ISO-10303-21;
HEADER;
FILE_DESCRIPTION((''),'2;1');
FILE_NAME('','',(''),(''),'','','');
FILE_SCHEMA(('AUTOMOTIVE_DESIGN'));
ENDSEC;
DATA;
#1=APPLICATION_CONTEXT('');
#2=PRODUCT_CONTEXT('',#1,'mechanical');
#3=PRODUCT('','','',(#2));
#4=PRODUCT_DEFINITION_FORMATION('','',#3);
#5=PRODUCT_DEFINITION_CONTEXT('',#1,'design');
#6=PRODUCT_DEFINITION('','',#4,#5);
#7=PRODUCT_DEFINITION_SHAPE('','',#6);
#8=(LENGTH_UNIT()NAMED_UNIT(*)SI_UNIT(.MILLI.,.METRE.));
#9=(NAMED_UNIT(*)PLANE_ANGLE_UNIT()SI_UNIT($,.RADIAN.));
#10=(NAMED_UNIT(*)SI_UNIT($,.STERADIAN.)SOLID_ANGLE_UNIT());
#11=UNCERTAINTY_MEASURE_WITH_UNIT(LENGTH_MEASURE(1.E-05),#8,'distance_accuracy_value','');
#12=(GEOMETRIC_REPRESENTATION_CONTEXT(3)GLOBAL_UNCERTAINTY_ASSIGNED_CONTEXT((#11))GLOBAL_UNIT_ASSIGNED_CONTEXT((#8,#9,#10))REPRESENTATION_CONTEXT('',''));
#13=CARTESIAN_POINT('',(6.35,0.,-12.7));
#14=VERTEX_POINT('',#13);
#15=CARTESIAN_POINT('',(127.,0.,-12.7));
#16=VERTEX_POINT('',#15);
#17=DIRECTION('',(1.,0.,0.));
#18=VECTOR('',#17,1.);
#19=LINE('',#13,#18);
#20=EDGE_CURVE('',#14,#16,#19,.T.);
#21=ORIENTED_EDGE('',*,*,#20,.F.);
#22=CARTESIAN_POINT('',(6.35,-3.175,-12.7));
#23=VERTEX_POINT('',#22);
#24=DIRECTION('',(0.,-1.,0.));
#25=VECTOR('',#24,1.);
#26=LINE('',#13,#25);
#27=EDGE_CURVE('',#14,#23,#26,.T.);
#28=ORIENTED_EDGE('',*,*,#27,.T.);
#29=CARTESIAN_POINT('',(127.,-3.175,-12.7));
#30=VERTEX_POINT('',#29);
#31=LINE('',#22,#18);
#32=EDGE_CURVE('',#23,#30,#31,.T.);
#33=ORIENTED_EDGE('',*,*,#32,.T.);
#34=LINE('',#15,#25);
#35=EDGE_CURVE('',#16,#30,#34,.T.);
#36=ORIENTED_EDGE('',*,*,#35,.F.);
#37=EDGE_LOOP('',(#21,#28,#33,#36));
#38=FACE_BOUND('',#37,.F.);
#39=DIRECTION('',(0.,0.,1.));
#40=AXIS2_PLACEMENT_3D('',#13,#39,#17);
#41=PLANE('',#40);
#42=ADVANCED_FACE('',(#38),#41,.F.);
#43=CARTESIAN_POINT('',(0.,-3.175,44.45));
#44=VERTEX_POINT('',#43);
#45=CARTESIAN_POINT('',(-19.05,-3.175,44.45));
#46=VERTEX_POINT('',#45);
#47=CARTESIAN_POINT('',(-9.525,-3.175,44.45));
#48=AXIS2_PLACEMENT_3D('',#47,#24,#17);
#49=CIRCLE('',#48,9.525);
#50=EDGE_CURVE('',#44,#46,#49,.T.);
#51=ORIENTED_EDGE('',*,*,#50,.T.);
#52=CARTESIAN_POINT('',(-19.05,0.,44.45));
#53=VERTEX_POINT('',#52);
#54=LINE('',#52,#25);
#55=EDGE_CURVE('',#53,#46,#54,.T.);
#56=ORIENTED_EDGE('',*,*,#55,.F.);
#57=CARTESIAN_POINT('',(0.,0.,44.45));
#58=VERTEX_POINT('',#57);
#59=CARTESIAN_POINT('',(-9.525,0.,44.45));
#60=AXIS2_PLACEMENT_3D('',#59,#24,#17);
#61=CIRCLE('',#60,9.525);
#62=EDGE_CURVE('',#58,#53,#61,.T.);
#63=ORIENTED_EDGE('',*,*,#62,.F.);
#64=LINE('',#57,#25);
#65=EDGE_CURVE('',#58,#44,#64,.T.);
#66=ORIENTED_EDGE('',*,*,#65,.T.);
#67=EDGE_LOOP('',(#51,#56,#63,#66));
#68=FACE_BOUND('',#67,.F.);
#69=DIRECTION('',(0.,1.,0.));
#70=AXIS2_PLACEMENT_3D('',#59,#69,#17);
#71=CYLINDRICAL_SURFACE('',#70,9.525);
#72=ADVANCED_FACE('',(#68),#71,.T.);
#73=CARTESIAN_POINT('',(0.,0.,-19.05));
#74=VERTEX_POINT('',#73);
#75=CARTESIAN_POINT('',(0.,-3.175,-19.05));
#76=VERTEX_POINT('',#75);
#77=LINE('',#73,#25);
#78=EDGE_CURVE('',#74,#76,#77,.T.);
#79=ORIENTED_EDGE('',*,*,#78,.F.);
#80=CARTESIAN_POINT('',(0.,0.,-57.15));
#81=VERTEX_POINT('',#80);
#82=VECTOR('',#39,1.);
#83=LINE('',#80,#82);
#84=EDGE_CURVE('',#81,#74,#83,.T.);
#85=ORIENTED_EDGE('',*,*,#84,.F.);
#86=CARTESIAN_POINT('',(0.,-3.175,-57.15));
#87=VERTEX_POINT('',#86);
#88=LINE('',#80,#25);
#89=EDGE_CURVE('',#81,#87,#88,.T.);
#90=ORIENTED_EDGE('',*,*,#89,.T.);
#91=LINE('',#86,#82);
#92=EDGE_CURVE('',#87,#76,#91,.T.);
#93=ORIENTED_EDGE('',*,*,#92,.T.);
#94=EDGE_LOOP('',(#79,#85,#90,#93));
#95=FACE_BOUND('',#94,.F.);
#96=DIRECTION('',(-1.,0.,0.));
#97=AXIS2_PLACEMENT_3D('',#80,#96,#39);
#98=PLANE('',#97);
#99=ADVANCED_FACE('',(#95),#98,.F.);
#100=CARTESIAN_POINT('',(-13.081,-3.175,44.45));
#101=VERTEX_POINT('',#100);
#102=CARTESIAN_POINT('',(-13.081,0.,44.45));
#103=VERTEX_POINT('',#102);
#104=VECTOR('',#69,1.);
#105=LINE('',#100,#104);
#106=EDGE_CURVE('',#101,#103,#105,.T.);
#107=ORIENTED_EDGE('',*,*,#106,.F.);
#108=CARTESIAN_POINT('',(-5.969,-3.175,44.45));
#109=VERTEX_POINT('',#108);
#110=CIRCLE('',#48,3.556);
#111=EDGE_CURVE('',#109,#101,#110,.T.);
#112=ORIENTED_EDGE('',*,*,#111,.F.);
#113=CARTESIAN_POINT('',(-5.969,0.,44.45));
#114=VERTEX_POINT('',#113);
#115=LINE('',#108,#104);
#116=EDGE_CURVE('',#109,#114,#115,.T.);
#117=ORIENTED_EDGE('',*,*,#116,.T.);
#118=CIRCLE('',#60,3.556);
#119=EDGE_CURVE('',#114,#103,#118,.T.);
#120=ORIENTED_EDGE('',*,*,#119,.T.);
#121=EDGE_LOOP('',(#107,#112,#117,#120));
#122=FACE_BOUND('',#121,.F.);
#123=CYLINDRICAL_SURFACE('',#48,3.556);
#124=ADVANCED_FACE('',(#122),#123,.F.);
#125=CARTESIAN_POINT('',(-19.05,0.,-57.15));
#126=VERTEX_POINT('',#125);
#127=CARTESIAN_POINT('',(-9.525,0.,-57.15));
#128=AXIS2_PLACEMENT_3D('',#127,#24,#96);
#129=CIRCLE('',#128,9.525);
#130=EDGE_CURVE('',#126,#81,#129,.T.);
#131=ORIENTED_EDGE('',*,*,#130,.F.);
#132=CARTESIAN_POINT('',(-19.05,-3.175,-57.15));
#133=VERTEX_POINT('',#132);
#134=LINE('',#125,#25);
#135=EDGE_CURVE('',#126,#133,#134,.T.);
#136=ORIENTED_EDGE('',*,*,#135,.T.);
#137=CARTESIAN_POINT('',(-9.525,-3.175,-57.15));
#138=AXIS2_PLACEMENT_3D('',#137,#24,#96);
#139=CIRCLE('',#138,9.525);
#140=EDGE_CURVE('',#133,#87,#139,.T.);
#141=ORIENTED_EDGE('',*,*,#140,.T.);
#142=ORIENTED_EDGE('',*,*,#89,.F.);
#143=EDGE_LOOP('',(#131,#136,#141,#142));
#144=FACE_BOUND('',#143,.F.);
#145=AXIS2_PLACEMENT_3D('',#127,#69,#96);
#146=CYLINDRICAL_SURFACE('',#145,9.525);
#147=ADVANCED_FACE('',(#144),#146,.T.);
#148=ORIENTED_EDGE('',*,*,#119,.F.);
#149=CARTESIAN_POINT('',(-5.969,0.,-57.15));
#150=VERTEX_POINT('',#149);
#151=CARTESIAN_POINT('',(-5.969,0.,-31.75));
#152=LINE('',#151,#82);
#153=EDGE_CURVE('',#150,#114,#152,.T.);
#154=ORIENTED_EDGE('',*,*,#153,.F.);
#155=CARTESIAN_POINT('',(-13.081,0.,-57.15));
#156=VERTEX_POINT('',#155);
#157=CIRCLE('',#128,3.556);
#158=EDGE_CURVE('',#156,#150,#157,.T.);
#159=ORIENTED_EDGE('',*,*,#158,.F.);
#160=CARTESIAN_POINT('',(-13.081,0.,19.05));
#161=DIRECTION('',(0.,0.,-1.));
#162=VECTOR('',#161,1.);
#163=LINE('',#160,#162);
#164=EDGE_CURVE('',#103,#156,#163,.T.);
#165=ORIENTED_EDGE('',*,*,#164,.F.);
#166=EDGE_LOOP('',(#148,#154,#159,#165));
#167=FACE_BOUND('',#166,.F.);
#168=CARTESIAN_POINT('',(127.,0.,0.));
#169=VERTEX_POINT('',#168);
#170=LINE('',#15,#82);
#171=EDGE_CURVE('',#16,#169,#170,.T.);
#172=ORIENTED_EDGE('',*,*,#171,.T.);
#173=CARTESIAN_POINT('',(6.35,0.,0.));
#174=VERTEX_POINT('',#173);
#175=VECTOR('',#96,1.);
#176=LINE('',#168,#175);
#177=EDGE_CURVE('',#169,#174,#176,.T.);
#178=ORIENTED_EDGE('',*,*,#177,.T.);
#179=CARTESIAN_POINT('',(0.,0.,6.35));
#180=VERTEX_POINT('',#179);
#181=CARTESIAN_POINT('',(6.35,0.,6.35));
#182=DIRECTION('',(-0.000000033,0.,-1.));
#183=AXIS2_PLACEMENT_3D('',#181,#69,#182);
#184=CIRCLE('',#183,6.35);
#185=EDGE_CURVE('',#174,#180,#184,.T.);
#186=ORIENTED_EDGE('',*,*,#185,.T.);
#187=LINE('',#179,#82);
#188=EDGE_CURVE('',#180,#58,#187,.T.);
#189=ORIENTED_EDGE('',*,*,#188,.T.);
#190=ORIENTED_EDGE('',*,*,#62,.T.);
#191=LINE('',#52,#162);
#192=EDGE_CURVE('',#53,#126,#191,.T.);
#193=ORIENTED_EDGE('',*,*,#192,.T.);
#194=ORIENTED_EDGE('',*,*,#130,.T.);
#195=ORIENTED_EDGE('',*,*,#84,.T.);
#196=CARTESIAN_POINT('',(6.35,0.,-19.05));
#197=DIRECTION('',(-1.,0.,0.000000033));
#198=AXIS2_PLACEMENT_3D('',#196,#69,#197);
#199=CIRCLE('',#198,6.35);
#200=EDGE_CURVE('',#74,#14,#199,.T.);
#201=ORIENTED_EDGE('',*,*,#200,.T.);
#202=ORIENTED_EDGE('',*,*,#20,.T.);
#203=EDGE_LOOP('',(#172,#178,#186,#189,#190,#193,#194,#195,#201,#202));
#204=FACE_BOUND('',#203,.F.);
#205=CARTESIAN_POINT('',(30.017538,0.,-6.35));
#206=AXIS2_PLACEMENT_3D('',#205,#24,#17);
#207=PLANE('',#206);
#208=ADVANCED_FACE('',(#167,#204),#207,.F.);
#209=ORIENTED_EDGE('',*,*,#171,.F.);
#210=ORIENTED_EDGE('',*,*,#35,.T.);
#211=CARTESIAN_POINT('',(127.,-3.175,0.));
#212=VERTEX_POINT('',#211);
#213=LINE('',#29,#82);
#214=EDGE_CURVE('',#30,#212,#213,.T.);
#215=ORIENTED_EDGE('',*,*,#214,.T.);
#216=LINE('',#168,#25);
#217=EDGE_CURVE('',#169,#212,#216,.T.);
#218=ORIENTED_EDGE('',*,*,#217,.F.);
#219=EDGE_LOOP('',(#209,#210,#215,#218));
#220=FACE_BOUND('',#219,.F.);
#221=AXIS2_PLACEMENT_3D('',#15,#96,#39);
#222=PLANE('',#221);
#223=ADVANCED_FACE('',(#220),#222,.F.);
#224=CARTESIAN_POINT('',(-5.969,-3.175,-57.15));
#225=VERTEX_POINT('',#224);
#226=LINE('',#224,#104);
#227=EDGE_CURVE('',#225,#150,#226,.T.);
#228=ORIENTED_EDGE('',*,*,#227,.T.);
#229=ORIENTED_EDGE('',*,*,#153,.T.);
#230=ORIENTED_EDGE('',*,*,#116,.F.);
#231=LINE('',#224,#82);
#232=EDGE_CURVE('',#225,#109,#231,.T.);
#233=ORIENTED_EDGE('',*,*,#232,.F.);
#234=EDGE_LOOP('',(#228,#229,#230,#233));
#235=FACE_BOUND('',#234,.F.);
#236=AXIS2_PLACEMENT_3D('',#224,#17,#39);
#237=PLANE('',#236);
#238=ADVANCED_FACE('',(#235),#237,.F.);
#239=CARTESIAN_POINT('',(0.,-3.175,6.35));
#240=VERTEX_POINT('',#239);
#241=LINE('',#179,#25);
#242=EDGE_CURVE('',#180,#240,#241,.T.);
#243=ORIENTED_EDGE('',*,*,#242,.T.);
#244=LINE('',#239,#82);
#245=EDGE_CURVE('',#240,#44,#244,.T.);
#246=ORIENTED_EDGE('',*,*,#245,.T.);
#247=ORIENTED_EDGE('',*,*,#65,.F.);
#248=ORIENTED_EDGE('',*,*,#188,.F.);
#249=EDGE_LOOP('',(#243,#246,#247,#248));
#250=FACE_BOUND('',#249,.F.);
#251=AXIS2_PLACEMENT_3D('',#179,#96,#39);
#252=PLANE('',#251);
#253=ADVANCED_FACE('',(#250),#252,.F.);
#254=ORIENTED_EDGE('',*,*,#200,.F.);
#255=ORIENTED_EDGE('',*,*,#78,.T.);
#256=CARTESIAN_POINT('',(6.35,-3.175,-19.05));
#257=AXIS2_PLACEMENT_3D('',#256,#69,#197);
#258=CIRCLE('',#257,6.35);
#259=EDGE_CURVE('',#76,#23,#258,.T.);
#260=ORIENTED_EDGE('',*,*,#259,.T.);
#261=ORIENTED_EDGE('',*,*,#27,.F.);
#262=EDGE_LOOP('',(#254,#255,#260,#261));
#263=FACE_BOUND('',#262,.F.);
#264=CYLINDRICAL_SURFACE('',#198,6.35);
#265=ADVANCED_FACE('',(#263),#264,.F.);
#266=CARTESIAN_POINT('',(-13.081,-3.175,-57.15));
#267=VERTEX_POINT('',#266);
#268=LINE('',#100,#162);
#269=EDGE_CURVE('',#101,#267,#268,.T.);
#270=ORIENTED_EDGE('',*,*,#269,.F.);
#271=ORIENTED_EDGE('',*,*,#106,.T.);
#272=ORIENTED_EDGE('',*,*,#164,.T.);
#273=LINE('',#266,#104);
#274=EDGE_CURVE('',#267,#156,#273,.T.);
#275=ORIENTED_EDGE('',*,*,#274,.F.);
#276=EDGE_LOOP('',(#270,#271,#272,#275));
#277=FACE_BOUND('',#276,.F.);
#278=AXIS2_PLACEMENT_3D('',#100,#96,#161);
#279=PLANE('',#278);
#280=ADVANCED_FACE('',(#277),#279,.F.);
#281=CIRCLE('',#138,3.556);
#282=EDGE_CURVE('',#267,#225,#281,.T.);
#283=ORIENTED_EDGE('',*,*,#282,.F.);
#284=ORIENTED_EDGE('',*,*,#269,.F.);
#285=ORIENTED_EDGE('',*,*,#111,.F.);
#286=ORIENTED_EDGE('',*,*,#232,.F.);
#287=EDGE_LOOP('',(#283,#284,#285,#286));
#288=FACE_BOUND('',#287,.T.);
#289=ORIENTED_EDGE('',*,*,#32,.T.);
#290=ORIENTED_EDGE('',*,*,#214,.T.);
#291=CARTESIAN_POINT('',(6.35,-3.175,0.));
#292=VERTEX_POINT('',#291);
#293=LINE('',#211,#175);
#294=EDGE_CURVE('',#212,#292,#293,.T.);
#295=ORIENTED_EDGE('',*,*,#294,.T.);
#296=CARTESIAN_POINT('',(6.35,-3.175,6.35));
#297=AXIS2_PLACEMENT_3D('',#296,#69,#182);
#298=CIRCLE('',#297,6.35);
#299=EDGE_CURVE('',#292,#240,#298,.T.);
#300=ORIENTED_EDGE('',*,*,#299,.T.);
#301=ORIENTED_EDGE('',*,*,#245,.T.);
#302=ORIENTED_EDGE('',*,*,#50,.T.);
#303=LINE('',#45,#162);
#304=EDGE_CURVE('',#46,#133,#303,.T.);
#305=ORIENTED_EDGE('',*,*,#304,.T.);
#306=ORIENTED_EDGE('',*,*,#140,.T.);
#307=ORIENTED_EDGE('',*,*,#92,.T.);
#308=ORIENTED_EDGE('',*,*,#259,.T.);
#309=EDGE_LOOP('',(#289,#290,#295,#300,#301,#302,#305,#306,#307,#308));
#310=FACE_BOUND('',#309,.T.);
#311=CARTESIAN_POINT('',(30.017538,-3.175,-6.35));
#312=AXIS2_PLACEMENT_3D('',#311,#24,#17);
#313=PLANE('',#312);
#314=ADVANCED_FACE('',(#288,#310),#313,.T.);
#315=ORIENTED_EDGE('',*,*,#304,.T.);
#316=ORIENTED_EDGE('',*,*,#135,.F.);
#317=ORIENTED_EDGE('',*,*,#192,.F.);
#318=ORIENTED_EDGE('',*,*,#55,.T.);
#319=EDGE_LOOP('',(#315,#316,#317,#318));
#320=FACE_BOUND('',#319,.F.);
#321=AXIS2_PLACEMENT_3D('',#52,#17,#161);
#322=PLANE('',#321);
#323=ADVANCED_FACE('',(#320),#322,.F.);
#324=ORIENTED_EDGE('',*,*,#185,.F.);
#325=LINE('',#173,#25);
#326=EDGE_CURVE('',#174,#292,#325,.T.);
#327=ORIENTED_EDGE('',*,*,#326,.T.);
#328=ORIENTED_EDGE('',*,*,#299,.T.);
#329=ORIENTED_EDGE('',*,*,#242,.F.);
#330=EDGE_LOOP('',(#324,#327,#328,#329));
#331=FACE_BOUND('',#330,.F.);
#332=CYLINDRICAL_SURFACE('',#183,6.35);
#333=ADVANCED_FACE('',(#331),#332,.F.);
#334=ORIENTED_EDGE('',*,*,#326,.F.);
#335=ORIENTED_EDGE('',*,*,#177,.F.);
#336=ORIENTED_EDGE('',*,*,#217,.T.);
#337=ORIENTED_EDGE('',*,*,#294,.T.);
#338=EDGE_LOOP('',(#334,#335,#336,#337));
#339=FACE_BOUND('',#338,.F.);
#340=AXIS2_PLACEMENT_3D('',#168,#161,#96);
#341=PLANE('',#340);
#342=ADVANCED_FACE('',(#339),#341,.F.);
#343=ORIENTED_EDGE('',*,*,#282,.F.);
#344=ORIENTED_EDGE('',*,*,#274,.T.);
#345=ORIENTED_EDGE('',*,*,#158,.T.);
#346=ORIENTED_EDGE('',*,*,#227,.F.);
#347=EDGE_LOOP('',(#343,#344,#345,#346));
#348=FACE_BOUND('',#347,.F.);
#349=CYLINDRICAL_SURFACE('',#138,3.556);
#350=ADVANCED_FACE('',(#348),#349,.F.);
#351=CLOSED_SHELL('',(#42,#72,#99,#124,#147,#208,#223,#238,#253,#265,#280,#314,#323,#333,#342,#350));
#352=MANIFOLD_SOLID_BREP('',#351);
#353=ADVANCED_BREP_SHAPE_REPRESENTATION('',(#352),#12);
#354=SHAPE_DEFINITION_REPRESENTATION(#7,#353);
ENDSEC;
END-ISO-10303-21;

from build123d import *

# Parameters (mm, degrees)
F1_DEPTH = 3.175
F3_DEPTH = 25.4


with BuildPart() as f1:
    # F0 (on Front) → F1 (new body)
    with BuildSketch(Plane.XZ):
        with BuildLine():
            Line((127, 0), (6.35, 0))
            ThreePointArc((6.35, 0), (1.859872, 1.859872), (0, 6.35))
            Line((0, 6.35), (0, 44.45))
            ThreePointArc((0, 44.45), (-9.525, 53.975), (-19.05, 44.45))
            Line((-19.05, 44.45), (-19.05, -57.15))
            ThreePointArc((-19.05, -57.15), (-9.525, -66.675), (0, -57.15))
            Line((0, -57.15), (0, -19.05))
            ThreePointArc((0, -19.05), (1.859872, -14.559872), (6.35, -12.7))
            Line((6.35, -12.7), (127, -12.7))
            Line((127, -12.7), (127, 0))
        make_face()
    extrude(amount=F1_DEPTH)

    # F2 (on face) → F3 (cut)
    with BuildSketch(Plane.XZ.offset(3.175)):
        with BuildLine():
            Line((-5.969, 6.35), (-5.969, 44.45))
            ThreePointArc((-5.969, 44.45), (-9.525, 48.006), (-13.081, 44.45))
            Line((-13.081, 44.45), (-13.081, -57.15))
            ThreePointArc((-13.081, -57.15), (-9.525, -60.706), (-5.969, -57.15))
            Line((-5.969, -57.15), (-5.969, -19.05))
            Line((-5.969, -19.05), (-5.969, 6.35))
        make_face()
    extrude(amount=-F3_DEPTH, mode=Mode.SUBTRACT)


solid = f1.part
